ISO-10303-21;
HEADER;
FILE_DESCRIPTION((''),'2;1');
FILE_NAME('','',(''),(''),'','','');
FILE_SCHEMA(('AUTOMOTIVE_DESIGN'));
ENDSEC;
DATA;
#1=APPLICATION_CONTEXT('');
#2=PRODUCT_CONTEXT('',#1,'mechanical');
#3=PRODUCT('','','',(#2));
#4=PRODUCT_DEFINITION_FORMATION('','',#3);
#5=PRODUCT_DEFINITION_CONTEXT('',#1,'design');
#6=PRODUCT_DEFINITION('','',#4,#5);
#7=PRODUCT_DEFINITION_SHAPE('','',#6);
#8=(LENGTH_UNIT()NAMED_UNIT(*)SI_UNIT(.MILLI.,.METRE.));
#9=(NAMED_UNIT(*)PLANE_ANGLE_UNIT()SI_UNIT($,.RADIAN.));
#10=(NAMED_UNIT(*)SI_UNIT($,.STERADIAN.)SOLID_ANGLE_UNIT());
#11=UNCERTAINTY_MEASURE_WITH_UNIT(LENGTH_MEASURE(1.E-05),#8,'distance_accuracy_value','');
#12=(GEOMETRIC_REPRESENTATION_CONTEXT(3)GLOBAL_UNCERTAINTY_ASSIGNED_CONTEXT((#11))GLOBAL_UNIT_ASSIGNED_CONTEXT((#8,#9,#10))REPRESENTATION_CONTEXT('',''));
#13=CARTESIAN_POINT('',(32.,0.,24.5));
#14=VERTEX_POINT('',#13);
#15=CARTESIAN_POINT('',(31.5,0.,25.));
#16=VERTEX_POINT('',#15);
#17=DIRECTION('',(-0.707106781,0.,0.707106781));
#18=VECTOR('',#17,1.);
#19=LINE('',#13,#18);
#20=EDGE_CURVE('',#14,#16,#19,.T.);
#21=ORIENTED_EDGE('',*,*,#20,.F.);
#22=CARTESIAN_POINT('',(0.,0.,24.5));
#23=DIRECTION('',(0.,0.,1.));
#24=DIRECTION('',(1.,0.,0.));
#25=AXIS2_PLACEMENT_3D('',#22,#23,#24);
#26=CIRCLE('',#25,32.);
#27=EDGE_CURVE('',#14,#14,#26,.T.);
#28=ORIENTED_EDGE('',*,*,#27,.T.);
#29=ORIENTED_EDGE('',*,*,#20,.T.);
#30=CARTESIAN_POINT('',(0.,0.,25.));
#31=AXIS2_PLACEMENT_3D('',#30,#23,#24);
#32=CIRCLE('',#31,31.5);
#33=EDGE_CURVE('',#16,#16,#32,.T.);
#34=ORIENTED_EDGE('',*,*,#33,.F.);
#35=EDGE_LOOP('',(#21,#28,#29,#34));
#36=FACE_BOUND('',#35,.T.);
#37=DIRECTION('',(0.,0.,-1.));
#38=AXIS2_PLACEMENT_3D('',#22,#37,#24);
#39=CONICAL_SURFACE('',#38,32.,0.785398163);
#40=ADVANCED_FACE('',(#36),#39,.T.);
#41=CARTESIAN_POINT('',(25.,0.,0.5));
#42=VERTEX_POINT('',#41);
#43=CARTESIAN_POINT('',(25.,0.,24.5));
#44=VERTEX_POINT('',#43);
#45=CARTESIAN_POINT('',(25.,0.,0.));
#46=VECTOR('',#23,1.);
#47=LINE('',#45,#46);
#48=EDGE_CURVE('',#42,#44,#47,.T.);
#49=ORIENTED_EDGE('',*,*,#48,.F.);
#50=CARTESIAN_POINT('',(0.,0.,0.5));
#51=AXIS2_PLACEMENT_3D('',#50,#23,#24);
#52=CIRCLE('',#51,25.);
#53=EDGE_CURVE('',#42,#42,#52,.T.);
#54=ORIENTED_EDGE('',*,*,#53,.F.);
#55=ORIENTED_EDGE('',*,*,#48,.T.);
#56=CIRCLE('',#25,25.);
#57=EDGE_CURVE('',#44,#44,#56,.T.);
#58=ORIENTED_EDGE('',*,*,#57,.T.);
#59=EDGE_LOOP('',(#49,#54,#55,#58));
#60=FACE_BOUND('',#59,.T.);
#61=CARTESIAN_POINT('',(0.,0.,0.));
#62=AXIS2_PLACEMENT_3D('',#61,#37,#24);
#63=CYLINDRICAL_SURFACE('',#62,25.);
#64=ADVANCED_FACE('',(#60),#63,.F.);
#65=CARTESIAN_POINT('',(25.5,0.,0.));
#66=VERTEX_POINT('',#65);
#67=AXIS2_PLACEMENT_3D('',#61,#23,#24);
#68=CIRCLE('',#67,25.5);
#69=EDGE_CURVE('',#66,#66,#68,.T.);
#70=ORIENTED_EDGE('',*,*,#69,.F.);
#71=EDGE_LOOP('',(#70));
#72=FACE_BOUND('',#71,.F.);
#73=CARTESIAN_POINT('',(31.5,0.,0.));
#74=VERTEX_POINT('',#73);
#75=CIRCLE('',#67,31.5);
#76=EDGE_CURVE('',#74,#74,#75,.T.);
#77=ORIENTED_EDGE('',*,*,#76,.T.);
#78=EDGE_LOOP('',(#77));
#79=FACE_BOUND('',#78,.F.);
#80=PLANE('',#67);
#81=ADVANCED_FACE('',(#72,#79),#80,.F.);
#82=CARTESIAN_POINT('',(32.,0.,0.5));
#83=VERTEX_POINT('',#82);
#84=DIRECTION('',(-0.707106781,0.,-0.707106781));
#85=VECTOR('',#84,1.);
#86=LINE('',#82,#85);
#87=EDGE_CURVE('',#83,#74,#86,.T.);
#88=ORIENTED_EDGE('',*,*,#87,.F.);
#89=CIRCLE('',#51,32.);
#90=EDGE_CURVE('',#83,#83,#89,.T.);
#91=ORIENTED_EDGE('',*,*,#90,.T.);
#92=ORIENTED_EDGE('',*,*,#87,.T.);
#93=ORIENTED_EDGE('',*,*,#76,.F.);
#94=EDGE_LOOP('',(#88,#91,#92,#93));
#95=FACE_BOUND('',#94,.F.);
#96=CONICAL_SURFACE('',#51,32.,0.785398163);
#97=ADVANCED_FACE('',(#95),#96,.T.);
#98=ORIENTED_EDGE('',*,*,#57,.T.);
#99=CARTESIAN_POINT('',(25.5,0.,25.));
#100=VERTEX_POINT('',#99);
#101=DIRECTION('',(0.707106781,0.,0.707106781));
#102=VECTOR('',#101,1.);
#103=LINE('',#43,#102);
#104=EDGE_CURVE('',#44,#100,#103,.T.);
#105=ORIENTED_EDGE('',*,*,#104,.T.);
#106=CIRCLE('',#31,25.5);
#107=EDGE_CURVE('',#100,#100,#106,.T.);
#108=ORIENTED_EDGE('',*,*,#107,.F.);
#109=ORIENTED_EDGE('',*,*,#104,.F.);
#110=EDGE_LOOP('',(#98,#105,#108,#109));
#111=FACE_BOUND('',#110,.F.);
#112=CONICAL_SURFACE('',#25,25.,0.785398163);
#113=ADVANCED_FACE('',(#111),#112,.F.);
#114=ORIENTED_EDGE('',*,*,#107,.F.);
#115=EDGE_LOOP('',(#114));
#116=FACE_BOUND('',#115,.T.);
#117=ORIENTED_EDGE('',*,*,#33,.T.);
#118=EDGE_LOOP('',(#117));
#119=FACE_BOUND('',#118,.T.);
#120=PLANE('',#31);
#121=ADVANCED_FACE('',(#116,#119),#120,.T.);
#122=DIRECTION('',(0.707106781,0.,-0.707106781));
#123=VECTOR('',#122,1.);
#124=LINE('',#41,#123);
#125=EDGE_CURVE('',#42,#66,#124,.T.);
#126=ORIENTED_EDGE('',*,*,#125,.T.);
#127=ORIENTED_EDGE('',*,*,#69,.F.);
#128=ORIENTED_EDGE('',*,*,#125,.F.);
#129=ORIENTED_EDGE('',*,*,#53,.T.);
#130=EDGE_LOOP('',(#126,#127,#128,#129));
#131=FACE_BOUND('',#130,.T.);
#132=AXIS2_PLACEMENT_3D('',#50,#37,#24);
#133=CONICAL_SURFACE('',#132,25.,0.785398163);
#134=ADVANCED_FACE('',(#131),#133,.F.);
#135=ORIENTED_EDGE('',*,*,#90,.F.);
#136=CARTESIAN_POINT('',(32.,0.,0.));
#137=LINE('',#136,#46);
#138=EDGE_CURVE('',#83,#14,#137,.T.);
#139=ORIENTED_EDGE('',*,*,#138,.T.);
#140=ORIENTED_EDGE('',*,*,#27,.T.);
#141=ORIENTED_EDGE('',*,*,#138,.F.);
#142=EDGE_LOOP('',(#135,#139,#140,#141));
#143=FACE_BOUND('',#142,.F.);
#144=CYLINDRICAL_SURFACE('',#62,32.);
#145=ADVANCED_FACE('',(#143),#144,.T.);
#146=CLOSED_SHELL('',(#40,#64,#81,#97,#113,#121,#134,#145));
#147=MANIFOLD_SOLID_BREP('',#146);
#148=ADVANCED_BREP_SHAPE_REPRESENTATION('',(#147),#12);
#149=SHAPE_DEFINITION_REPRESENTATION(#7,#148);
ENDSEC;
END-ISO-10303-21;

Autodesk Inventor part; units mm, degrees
ref_plane "YZ Plane" through (0, 0, 0) normal (1, 0, 0) x (0, 1, 0)
ref_plane "XZ Plane" through (0, 0, 0) normal (0, 1, 0) x (-1, 0, 0)
ref_plane "XY Plane" through (0, 0, 0) normal (0, 0, 1) x (1, 0, 0)
sketch "草图2" plane through (0, 0, 0) normal (0, 0, 1) x (1, 0, 0)
  circle A0 centre (0, 0) radius 32
  circle A1 centre (0, 0) radius 25
  dimension "d4" = 64
  dimension "d5" = 50
extrude "拉伸2" add sketch "草图2" along normal blind 25
chamfer "倒角1" distance 0.5 angle 45 4 edges at (-25, 0, 25) (-32, 0, 25) (-32, 0, 0) (-25, 0, 0)
properties part number "主动轴小端套筒"
